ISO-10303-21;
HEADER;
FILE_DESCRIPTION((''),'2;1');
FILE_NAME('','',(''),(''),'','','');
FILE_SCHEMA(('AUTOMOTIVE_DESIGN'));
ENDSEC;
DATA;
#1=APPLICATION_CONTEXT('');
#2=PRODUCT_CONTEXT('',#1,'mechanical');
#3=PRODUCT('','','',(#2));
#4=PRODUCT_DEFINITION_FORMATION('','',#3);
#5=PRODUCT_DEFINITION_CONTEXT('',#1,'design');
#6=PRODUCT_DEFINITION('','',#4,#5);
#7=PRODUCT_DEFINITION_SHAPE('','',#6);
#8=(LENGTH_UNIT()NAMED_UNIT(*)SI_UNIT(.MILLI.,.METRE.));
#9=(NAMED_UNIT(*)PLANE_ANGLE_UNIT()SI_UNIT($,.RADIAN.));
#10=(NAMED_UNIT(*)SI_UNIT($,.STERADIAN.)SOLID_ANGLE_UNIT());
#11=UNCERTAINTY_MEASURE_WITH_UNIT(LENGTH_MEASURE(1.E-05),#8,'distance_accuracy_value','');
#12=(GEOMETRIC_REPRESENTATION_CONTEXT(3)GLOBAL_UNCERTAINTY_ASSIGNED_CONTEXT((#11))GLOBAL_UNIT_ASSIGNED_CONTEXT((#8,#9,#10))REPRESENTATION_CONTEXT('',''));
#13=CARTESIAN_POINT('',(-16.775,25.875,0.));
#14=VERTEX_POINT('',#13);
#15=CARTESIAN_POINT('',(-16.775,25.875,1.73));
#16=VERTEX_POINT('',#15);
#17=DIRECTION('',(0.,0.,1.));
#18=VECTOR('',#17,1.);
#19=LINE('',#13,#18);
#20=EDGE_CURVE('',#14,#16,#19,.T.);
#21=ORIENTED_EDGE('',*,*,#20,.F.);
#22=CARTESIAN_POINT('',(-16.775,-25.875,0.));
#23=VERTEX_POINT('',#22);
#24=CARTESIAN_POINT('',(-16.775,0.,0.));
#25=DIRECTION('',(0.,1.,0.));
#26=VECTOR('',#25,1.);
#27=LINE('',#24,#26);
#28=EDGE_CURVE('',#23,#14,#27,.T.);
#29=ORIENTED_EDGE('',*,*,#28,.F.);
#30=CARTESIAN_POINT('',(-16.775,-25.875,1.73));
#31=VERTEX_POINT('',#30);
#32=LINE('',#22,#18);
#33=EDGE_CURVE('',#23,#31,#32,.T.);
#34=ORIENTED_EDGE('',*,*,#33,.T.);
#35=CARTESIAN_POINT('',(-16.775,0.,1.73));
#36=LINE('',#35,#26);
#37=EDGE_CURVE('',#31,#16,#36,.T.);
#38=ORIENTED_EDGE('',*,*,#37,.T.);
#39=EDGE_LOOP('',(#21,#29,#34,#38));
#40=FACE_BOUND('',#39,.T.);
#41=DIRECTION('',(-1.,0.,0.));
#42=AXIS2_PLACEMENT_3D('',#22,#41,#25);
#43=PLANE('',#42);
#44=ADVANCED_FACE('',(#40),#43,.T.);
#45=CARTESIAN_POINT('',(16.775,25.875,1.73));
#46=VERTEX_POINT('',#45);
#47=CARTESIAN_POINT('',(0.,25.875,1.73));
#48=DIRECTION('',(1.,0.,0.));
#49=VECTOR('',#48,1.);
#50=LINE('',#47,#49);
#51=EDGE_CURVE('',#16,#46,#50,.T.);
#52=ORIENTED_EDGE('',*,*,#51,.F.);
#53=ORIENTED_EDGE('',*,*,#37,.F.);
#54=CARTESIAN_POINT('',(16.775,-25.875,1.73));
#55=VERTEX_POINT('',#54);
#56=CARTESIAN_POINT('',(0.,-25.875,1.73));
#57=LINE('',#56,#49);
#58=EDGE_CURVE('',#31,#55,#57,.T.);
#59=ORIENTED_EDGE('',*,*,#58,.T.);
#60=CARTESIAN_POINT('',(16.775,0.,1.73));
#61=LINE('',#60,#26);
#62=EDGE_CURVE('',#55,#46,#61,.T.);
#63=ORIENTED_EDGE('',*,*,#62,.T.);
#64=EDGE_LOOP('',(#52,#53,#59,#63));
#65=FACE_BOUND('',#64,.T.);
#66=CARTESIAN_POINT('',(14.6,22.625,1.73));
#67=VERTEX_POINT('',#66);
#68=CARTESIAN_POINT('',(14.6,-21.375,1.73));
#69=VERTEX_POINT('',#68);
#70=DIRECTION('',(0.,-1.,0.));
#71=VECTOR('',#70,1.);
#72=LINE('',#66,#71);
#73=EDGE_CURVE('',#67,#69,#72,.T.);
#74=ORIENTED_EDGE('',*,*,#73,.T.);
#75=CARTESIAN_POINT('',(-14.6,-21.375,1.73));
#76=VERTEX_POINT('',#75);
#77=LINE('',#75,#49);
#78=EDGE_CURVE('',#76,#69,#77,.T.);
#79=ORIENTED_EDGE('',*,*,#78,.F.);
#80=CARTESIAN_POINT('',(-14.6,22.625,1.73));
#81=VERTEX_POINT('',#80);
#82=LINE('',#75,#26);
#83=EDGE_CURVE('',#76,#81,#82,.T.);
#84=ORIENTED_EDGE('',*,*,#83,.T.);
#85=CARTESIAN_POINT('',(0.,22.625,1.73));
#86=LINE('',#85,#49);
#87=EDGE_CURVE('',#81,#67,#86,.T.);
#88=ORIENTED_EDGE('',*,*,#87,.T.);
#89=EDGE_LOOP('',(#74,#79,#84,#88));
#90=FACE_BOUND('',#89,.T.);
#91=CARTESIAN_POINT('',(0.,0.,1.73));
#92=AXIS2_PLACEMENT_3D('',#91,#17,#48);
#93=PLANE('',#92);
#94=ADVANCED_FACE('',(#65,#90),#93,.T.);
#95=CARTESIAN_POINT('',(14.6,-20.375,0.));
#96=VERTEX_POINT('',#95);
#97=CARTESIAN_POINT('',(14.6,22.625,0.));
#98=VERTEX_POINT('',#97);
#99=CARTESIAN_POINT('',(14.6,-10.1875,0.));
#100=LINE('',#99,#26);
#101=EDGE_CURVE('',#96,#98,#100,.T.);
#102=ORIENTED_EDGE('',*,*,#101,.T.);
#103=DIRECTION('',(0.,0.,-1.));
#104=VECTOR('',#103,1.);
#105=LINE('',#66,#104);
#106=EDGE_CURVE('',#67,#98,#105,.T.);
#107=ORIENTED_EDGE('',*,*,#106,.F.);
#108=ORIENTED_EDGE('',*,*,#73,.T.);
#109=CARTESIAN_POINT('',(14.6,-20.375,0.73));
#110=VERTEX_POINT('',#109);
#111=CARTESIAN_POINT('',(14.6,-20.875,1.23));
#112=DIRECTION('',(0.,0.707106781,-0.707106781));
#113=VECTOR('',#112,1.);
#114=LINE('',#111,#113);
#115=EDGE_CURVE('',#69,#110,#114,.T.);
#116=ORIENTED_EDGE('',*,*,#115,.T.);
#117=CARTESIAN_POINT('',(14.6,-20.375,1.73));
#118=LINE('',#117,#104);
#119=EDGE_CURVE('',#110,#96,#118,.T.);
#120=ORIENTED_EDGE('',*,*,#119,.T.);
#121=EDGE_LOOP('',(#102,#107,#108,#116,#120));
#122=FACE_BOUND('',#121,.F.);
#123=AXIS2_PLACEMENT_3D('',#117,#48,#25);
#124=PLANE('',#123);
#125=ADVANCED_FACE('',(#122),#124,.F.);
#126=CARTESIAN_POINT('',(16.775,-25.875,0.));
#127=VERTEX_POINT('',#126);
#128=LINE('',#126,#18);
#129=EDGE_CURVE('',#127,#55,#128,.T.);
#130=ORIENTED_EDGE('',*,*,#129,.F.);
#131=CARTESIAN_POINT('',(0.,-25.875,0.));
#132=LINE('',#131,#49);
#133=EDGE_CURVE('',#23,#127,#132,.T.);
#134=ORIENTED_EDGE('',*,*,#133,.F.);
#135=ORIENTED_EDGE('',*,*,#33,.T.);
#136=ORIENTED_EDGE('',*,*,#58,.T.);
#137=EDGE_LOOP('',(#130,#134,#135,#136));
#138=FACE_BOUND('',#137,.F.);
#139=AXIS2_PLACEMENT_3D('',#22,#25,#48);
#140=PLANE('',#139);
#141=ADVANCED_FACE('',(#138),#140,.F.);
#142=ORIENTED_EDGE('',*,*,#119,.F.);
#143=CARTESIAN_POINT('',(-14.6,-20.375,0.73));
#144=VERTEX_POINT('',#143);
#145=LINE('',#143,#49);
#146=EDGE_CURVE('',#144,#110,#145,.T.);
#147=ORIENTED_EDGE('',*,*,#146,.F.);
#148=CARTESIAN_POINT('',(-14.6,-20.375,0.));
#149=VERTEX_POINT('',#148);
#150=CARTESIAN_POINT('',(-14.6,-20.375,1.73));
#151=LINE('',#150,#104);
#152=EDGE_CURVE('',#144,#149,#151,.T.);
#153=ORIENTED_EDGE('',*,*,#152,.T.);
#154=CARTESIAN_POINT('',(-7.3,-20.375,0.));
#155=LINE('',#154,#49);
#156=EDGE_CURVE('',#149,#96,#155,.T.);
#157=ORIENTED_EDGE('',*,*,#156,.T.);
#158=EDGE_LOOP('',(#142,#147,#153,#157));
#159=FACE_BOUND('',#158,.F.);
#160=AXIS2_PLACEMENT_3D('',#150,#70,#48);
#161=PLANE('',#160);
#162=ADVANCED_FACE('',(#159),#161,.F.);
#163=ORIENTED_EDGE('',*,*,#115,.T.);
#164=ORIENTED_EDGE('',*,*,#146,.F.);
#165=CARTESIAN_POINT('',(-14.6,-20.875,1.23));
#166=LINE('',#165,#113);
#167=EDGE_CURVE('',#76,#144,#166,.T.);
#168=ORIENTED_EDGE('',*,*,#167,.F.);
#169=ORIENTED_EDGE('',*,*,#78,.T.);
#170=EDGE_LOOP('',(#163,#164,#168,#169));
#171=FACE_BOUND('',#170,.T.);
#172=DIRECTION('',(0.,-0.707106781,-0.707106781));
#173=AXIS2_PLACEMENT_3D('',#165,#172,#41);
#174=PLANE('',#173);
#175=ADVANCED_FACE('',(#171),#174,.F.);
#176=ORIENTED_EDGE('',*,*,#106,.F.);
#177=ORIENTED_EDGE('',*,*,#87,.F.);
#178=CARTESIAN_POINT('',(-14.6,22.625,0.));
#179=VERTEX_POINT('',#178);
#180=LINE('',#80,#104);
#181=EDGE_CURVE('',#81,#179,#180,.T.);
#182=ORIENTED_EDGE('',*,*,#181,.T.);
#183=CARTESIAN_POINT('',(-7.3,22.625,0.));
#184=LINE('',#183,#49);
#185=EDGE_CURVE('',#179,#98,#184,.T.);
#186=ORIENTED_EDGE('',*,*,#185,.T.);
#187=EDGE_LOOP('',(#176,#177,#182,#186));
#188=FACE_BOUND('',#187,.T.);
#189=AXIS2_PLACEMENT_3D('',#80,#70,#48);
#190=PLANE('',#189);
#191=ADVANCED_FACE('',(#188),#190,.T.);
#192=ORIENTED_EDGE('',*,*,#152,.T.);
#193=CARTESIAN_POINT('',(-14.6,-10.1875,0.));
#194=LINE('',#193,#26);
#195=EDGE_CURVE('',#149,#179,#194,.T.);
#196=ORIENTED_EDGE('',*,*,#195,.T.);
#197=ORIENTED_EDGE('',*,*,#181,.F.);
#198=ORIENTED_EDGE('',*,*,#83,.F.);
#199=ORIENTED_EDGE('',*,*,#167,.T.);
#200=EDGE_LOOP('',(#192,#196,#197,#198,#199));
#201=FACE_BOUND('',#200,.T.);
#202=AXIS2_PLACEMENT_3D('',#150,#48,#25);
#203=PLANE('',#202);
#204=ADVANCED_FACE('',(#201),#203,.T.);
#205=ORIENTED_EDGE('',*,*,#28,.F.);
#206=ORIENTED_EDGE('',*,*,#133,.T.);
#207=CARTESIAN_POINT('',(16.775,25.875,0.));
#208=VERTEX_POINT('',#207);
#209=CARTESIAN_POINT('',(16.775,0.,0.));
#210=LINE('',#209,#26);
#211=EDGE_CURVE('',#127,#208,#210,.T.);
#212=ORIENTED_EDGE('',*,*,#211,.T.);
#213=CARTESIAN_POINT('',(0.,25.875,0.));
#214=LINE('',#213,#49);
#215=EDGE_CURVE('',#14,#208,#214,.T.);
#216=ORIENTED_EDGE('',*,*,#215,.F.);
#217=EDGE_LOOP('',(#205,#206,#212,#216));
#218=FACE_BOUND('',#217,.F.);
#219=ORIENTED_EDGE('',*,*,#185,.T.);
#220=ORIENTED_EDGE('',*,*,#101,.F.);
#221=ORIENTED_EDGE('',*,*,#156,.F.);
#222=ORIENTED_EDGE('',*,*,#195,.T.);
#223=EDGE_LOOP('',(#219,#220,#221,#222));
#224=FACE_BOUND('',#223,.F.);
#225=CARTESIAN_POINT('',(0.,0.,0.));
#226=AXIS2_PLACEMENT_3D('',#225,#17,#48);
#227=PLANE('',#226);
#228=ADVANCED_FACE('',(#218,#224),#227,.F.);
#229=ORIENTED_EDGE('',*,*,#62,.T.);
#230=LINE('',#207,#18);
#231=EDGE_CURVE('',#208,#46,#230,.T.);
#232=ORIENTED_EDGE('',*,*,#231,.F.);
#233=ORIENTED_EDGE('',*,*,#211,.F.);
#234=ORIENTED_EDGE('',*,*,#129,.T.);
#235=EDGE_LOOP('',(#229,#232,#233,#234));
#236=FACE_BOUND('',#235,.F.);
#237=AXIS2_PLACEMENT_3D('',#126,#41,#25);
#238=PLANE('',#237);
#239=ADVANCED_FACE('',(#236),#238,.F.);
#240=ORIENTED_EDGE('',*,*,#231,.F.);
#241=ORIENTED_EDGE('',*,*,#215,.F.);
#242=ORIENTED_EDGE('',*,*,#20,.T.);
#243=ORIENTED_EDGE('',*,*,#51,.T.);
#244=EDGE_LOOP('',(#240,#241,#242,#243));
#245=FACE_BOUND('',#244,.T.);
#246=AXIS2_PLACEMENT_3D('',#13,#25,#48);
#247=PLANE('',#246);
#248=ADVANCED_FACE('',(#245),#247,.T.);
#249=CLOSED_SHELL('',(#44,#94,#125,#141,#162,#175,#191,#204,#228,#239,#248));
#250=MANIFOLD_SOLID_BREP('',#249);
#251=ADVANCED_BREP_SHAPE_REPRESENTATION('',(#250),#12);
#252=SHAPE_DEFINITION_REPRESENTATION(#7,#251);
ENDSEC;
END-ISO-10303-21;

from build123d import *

# Parameters (mm, degrees)
SKETCH_W     = 33.55
SKETCH_H     = 51.75
PAD_DEPTH    = 1.73
SKETCH001_W  = 29.2
SKETCH001_H  = 43
POCKET_DEPTH = 5
CHAMFER_SIZE = 1


with BuildPart() as part:
    # Sketch → Pad (new body)
    with BuildSketch(Plane.XY):
        Rectangle(SKETCH_W, SKETCH_H)
    extrude(amount=PAD_DEPTH)

    # Sketch001 (on Face6 of Pad) → Pocket (cut)
    with BuildSketch(Plane.XY.offset(1.73)):
        with Locations((0, 1.125)):
            Rectangle(SKETCH001_W, SKETCH001_H)
    extrude(amount=-POCKET_DEPTH, mode=Mode.SUBTRACT)

    # Chamfer
    chamfer_edges = [part.edges().sort_by_distance(p)[0] for p in [
        (0, -20.375, 1.73),
    ]]
    chamfer(chamfer_edges, length=CHAMFER_SIZE)


solid = part.part
